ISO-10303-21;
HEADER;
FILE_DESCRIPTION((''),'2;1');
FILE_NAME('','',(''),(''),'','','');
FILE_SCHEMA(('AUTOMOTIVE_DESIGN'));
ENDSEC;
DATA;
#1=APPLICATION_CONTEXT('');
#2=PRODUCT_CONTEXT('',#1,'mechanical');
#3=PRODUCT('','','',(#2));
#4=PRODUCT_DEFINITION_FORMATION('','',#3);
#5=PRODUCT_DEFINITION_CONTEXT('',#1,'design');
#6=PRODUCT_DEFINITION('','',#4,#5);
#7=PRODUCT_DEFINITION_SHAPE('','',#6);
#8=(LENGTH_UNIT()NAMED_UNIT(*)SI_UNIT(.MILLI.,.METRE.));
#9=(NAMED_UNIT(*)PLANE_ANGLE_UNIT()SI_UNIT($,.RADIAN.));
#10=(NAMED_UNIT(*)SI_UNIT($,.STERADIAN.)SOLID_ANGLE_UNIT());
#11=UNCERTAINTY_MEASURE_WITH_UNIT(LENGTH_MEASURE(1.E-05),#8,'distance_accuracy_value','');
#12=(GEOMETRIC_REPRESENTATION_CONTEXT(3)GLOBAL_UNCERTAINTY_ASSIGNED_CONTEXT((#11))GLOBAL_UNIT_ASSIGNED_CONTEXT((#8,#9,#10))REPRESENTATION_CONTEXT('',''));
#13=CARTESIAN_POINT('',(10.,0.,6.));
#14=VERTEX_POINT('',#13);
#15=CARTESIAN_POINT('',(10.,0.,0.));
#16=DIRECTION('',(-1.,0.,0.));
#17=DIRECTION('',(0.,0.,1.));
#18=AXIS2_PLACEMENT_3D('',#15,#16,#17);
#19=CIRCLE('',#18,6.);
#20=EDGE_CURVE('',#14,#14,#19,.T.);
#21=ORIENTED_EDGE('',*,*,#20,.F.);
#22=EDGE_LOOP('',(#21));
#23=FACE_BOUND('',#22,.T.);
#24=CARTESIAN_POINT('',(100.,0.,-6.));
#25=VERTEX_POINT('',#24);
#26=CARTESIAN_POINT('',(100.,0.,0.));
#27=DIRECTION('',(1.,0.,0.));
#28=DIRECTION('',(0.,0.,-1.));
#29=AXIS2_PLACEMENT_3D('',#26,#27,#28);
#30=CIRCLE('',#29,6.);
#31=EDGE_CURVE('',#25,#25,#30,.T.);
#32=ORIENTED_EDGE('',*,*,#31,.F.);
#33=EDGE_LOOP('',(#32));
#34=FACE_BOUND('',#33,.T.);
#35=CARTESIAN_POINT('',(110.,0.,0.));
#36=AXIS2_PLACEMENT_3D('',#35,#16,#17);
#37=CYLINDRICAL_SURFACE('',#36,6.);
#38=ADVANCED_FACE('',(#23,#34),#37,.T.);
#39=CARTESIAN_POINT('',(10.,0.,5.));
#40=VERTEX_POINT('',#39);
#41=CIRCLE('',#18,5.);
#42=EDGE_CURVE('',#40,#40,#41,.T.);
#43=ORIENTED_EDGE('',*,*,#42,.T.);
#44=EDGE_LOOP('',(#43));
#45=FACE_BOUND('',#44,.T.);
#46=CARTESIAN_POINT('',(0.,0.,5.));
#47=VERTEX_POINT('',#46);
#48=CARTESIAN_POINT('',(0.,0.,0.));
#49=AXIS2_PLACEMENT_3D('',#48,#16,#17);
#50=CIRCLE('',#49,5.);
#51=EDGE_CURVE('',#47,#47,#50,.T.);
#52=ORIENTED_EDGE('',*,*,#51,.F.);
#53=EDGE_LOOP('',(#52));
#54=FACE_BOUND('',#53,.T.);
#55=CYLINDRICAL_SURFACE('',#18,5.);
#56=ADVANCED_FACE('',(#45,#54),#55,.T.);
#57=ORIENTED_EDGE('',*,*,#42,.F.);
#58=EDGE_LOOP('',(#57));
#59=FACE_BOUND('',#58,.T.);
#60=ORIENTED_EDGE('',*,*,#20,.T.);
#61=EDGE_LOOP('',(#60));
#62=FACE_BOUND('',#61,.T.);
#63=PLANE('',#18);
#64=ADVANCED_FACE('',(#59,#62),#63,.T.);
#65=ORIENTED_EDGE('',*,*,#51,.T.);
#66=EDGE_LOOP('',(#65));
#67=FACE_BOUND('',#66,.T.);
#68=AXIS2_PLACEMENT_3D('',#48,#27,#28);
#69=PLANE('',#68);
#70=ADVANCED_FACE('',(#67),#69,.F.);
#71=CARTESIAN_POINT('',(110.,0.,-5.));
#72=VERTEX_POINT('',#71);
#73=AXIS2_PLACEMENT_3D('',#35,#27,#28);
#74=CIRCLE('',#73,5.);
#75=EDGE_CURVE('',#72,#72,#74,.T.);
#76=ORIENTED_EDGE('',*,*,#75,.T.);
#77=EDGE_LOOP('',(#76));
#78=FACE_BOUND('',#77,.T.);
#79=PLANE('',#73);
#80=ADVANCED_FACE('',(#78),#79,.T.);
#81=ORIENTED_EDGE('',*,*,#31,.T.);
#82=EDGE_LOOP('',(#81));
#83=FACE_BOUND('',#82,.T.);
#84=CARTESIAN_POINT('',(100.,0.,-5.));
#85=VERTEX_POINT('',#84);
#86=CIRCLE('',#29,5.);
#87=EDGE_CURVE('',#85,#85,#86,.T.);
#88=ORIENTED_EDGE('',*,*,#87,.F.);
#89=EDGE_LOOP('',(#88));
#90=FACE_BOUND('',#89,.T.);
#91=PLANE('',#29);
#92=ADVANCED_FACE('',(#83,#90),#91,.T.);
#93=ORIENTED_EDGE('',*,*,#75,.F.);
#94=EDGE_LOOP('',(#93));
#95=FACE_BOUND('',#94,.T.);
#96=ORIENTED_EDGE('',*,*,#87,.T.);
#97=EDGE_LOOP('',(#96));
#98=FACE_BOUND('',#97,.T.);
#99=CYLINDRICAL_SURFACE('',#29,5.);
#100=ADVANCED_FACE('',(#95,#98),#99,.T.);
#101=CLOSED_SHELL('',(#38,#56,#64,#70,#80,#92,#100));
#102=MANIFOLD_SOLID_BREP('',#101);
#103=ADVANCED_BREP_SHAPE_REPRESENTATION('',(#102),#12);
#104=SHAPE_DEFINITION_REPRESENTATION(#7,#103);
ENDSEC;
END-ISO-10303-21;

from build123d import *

# Parameters (mm, degrees)
SKETCH1_R           = 6
BOSS_EXTRUDE1_DEPTH = 110
SKETCH2_OUTSIDE_W   = 36.26
SKETCH2_OUTSIDE_H   = 36.26
SKETCH2_OUTSIDE_R   = 5
CUT_EXTRUDE1_DEPTH  = 10
SKETCH3_OUTSIDE_W   = 36.26
SKETCH3_OUTSIDE_H   = 36.26
SKETCH3_OUTSIDE_R   = 5
CUT_EXTRUDE2_DEPTH  = 10


with BuildPart() as part:
    # Sketch1 → Boss-Extrude1 (new body)
    with BuildSketch(Plane(origin=(0, 0, 0), x_dir=(0, 0, -1), z_dir=(1, 0, 0))):
        Circle(SKETCH1_R)
    extrude(amount=BOSS_EXTRUDE1_DEPTH)

    # Sketch2 outside → Cut-Extrude1 (cut)
    with BuildSketch(Plane(origin=(110, 0, 0), x_dir=(0, 0, -1), z_dir=(1, 0, 0))):
        Rectangle(SKETCH2_OUTSIDE_W, SKETCH2_OUTSIDE_H)
        Circle(SKETCH2_OUTSIDE_R, mode=Mode.SUBTRACT)
    extrude(amount=-CUT_EXTRUDE1_DEPTH, mode=Mode.SUBTRACT)

    # Sketch3 outside → Cut-Extrude2 (cut)
    with BuildSketch(Plane.ZY):
        Rectangle(SKETCH3_OUTSIDE_W, SKETCH3_OUTSIDE_H)
        with Locations(Location((0, 0, 0), (0, 0, 180))):
            Circle(SKETCH3_OUTSIDE_R, mode=Mode.SUBTRACT)
    extrude(amount=-CUT_EXTRUDE2_DEPTH, mode=Mode.SUBTRACT)


solid = part.part
